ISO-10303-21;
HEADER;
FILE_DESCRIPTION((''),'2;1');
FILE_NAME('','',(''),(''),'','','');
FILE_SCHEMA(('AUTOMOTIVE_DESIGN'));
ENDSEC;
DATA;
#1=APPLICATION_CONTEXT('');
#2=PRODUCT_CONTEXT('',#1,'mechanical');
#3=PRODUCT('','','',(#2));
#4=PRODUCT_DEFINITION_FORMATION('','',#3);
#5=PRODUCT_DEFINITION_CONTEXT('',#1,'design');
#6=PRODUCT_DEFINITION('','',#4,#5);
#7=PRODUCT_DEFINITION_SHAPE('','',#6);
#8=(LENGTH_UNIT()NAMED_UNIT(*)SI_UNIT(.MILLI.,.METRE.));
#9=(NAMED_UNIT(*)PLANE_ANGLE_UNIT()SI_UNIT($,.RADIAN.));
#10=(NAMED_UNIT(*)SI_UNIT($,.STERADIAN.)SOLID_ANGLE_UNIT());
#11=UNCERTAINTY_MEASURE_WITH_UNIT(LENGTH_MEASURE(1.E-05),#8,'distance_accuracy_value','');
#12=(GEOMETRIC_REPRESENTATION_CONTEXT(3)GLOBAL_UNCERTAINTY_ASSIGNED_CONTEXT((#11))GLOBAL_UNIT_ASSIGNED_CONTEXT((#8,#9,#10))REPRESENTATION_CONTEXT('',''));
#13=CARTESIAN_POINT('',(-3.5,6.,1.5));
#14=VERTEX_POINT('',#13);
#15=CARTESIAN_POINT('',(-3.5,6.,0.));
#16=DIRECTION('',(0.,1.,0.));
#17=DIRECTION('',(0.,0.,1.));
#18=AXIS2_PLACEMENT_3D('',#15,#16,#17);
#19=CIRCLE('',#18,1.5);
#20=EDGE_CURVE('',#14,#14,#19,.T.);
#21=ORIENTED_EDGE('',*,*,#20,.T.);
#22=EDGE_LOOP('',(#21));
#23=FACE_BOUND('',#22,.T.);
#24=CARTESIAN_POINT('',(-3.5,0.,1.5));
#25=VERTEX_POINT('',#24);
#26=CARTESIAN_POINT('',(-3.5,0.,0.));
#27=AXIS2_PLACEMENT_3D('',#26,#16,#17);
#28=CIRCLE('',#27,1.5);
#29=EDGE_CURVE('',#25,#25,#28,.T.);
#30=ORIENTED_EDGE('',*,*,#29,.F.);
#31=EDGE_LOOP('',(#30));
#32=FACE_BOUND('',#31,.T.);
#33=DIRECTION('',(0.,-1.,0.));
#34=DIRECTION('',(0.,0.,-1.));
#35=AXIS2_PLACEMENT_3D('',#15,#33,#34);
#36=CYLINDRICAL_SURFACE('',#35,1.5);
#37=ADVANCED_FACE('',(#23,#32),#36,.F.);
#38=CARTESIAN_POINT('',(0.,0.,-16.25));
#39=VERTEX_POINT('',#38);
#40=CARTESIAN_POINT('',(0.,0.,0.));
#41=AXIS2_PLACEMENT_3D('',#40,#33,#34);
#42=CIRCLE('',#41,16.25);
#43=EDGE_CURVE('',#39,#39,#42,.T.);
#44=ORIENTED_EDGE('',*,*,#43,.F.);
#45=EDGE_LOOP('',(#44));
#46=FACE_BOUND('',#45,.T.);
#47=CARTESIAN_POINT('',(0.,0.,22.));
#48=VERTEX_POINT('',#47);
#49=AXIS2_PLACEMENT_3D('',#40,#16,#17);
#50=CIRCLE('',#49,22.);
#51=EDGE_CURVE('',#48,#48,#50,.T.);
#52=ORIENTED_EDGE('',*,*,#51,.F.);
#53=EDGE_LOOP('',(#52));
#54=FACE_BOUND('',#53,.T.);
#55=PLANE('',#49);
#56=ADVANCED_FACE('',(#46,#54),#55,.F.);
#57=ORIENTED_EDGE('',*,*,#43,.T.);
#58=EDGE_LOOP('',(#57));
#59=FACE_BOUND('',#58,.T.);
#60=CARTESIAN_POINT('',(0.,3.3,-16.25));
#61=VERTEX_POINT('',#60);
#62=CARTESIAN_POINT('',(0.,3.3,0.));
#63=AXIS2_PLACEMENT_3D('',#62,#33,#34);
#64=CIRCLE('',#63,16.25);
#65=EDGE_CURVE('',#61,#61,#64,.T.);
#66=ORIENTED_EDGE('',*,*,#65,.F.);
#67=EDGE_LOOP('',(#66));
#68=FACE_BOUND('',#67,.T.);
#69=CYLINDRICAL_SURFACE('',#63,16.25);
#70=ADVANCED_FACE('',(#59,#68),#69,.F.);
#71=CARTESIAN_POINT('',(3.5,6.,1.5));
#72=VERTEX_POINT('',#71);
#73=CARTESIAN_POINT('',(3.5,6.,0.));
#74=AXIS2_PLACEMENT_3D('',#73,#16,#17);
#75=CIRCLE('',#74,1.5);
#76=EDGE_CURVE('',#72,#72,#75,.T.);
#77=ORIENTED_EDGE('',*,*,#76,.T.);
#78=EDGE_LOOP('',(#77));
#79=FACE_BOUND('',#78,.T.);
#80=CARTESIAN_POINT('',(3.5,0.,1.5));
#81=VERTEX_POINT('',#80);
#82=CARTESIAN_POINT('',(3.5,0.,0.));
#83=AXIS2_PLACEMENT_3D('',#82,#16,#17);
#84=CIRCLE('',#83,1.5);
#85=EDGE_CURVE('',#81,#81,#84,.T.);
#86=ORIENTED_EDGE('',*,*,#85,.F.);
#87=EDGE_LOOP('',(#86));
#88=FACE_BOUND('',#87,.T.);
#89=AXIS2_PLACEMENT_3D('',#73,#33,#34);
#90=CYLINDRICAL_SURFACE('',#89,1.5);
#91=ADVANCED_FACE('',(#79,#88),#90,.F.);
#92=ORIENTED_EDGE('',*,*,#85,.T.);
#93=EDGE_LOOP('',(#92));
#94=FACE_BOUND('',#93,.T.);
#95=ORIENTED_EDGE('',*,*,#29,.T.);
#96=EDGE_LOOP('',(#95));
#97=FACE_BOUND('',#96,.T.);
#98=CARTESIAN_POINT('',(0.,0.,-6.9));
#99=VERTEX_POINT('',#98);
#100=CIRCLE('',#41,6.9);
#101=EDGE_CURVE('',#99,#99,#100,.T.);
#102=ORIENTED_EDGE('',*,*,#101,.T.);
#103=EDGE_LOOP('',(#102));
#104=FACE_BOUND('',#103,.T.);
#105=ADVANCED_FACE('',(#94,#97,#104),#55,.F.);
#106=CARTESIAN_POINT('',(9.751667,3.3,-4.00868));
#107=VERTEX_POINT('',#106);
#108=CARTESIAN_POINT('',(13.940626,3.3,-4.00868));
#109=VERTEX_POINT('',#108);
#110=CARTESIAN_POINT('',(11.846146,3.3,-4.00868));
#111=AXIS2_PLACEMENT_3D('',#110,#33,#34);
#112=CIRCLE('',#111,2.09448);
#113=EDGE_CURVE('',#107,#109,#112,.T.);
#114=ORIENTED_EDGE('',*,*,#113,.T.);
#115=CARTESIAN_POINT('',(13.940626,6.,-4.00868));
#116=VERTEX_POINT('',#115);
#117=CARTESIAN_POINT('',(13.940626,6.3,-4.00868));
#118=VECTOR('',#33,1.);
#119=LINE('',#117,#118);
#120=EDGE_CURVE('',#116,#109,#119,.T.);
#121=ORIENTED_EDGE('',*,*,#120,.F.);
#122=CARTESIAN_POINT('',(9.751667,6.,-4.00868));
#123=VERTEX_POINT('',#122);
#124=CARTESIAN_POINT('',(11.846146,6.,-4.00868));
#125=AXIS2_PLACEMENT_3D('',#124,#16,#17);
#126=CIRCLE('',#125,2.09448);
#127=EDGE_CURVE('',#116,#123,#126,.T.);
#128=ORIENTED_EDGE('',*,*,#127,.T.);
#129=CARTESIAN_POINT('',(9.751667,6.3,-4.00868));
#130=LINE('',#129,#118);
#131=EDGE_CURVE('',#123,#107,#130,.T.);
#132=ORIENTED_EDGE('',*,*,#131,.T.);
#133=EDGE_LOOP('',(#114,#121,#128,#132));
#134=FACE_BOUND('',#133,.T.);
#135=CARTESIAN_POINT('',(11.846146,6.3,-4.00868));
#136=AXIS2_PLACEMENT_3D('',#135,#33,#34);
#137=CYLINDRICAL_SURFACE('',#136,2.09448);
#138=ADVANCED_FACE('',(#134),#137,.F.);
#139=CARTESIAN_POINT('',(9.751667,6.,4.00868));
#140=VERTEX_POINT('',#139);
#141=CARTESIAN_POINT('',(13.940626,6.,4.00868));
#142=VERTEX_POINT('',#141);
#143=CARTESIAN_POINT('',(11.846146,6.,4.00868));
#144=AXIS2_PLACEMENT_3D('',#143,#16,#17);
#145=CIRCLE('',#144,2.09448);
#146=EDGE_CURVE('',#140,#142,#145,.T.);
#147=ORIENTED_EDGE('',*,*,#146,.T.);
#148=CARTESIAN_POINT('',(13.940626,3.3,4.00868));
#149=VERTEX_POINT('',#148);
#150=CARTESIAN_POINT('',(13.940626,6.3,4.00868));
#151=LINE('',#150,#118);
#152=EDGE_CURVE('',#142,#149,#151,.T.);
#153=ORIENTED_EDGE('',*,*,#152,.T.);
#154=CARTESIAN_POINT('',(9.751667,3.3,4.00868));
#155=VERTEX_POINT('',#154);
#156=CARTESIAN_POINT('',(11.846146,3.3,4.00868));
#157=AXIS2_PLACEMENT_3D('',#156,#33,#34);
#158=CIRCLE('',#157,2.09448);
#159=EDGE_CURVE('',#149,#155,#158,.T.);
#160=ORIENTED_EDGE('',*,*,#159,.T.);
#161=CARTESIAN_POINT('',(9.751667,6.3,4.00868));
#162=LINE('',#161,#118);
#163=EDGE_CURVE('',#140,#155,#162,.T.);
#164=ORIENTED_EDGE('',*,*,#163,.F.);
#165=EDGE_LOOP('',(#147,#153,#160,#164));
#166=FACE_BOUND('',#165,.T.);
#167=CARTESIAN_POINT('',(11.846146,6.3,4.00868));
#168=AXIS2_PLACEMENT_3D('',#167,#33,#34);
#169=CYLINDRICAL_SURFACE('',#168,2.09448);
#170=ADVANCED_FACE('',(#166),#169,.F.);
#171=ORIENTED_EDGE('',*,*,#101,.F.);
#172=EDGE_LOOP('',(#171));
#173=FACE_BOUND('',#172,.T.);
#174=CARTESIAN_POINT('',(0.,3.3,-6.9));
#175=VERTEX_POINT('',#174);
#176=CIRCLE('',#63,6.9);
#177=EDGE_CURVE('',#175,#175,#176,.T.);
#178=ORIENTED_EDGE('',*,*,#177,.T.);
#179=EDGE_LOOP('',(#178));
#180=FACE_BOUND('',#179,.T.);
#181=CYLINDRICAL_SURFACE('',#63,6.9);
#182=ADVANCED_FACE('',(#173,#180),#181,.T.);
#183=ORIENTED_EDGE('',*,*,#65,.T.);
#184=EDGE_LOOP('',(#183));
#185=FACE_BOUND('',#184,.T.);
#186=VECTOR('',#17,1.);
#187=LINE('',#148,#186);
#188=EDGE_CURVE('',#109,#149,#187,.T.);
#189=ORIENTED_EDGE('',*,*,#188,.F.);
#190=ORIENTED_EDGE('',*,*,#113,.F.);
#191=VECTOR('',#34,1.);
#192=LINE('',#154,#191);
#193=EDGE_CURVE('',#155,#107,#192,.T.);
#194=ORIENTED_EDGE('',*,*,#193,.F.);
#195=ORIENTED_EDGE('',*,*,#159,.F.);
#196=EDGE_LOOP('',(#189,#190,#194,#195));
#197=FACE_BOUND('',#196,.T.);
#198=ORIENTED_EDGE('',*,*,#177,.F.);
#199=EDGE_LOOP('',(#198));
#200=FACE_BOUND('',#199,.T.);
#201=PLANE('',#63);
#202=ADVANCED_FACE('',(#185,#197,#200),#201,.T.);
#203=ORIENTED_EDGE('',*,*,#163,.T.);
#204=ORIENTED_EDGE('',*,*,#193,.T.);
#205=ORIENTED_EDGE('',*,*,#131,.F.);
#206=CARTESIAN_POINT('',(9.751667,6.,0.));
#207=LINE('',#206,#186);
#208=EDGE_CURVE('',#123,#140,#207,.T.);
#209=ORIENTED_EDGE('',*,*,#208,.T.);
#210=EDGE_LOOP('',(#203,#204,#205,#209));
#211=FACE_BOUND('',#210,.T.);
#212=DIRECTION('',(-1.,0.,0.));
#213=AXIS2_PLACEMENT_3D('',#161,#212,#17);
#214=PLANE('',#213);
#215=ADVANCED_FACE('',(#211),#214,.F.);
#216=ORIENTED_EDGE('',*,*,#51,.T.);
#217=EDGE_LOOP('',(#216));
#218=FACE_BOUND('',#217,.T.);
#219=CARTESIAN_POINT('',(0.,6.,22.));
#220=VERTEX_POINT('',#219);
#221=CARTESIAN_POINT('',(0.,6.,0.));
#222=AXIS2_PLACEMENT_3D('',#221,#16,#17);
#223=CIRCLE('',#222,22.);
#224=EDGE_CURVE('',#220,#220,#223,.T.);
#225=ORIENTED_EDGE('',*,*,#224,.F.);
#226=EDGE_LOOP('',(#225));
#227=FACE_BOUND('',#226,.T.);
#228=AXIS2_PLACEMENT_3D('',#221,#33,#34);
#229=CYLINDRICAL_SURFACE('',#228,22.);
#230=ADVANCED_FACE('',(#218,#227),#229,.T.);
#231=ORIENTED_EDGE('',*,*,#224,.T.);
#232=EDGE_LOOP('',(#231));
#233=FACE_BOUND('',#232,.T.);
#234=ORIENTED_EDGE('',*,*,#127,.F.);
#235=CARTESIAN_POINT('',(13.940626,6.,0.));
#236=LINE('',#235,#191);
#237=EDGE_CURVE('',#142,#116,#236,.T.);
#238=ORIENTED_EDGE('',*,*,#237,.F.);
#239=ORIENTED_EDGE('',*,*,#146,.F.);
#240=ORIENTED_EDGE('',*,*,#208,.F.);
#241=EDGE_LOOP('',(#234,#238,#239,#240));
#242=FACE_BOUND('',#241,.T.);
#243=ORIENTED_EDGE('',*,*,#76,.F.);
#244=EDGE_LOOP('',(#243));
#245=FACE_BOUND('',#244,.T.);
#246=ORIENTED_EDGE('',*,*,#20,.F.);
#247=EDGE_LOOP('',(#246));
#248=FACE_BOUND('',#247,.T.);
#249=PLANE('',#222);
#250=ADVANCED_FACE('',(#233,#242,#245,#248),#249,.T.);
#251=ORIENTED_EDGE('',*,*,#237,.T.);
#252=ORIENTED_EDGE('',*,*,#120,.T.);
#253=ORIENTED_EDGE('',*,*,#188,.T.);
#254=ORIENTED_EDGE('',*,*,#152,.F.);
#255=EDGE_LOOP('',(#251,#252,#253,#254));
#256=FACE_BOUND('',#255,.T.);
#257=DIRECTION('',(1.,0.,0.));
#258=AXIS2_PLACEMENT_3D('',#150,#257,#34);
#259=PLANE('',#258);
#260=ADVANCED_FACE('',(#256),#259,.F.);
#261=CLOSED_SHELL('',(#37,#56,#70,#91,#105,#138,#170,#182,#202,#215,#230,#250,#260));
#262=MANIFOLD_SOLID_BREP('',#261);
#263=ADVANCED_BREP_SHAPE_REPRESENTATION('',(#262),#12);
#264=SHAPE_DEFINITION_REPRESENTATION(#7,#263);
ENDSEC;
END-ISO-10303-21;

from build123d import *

# Parameters (mm, degrees)
ESQUISSE1_R             = 22
ESQUISSE1_R_2           = 1.5
BOSS_EXTRU_1_DEPTH      = 6
ESQUISSE2_R             = 16.25
ESQUISSE2_R_2           = 6.9
ENL_V_MAT_EXTRU_1_DEPTH = 3.3
ENL_V_MAT_EXTRU_2_DEPTH = 3


with BuildPart() as part:
    # Esquisse1 → Boss.-Extru.1 (new body)
    with BuildSketch(Plane(origin=(0, 0, 0), x_dir=(1, 0, 0), z_dir=(0, 1, 0))):
        Circle(ESQUISSE1_R)
        with Locations((-3.5, 0)):
            Circle(ESQUISSE1_R_2, mode=Mode.SUBTRACT)
        with Locations((3.5, 0)):
            Circle(ESQUISSE1_R_2, mode=Mode.SUBTRACT)
    extrude(amount=BOSS_EXTRU_1_DEPTH)

    # Esquisse2 → Enlèv. mat.-Extru.1 (cut)
    with BuildSketch(Plane.XZ):
        Circle(ESQUISSE2_R)
        Circle(ESQUISSE2_R_2, mode=Mode.SUBTRACT)
    extrude(amount=-ENL_V_MAT_EXTRU_1_DEPTH, mode=Mode.SUBTRACT)

    # Esquisse3 → Enlèv. mat.-Extru.2 (cut)
    with BuildSketch(Plane(origin=(0, 3.3, 0), x_dir=(-1, 0, 0), z_dir=(0, -1, 0))):
        with BuildLine():
            Line((-13.940625792, -4.008679646), (-13.940625792, 4.008679646))
            ThreePointArc((-13.940625792, 4.008679646), (-11.846146155, 6.103159283), (-9.751666518, 4.008679646))
            Line((-9.751666518, 4.008679646), (-9.751666518, -4.008679646))
            ThreePointArc((-9.751666518, -4.008679646), (-11.846146155, -6.103159283), (-13.940625792, -4.008679646))
        make_face()
    extrude(amount=-ENL_V_MAT_EXTRU_2_DEPTH, mode=Mode.SUBTRACT)


solid = part.part
